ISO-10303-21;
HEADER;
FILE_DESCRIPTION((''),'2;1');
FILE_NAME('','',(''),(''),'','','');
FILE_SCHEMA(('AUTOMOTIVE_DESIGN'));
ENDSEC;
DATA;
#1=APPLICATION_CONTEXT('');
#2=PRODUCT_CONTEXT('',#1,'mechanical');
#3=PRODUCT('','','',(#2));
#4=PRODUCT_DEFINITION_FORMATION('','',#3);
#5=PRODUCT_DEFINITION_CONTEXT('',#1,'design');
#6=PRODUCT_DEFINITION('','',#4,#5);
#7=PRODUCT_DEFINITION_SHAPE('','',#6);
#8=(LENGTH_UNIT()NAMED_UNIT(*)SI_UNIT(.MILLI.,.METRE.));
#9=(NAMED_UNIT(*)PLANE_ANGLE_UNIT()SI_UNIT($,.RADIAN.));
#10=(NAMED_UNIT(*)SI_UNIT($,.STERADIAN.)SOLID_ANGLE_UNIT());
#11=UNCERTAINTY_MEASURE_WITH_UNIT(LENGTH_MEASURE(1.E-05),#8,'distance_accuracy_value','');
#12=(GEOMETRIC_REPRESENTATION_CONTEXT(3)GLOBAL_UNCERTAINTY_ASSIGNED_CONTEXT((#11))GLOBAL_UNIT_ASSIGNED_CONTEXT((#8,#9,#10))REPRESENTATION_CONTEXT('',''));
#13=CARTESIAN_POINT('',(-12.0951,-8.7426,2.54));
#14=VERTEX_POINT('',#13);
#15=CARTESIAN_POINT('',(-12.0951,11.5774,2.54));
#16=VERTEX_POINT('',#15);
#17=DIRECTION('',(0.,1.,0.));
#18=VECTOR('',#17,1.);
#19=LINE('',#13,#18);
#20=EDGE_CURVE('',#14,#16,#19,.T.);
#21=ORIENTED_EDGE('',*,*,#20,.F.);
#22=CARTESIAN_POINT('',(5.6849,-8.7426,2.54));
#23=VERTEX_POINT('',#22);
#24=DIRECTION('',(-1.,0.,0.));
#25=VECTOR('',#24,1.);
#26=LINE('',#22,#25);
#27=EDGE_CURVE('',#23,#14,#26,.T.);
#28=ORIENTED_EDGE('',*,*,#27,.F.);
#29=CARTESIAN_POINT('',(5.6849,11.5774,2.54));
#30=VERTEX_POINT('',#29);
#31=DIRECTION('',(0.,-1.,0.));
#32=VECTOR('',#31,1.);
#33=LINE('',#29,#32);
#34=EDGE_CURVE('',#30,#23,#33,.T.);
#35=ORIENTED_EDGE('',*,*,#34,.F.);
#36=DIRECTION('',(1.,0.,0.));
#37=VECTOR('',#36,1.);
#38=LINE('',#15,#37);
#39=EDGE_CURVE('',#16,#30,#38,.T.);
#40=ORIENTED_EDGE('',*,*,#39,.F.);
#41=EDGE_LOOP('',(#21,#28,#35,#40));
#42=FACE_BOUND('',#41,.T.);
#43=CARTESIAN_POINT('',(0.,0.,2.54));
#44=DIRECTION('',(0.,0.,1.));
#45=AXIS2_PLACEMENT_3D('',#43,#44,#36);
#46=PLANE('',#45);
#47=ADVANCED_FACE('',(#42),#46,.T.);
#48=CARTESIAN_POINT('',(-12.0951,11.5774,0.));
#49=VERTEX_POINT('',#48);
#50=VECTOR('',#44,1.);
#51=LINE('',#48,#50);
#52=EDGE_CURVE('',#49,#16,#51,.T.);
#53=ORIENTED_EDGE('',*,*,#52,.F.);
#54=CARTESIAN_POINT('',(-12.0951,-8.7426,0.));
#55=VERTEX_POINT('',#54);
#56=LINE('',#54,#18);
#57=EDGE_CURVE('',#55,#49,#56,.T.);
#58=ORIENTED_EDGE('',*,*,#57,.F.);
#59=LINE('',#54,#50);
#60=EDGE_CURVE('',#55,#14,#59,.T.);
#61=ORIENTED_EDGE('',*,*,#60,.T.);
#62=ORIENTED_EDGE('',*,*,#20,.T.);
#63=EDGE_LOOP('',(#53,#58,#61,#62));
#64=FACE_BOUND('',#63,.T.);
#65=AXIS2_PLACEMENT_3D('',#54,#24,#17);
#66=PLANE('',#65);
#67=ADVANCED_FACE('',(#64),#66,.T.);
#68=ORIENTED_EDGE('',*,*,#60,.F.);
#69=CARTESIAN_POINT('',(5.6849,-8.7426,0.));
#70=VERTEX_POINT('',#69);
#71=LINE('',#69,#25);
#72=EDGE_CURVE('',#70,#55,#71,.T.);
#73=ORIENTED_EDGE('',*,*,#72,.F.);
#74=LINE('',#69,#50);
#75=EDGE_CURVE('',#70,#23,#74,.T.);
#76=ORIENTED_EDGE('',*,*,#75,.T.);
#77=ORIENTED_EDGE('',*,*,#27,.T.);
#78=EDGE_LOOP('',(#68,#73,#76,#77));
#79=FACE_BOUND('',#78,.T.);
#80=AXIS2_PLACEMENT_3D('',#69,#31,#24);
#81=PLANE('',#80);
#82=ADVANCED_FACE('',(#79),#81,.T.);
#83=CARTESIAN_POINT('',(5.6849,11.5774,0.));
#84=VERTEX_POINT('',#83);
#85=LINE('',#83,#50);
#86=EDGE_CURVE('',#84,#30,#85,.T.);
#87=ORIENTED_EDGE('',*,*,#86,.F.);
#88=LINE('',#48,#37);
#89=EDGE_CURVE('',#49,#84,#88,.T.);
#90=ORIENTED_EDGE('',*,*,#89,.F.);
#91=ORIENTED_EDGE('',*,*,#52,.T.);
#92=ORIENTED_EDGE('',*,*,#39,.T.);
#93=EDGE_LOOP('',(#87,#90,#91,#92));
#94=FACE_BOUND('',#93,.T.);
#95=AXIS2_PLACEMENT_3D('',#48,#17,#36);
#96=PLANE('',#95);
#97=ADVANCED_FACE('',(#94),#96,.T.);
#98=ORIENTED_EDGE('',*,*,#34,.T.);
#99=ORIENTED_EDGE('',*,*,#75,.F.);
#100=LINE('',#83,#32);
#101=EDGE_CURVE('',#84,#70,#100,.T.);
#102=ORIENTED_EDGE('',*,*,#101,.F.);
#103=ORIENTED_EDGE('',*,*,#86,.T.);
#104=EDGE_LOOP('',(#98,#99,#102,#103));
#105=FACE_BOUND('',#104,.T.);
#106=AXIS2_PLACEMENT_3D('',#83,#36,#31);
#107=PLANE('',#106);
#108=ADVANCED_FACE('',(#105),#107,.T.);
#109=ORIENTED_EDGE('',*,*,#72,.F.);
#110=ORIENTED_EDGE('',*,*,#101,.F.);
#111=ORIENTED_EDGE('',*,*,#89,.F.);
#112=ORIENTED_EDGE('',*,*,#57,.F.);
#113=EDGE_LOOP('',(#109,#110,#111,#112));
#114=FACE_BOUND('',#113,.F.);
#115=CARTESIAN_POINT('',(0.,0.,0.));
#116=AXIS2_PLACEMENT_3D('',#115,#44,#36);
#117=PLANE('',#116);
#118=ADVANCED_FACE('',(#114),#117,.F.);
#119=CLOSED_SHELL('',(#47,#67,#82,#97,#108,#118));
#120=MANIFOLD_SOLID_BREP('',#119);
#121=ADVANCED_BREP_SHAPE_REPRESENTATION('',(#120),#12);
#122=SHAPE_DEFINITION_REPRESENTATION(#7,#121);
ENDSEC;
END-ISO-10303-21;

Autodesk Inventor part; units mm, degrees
ref_plane "YZ Plane" through (0, 0, 0) normal (1, 0, 0) x (0, 1, 0)
ref_plane "XZ Plane" through (0, 0, 0) normal (0, 1, 0) x (-1, 0, 0)
ref_plane "XY Plane" through (0, 0, 0) normal (0, 0, 1) x (1, 0, 0)
sketch "Sketch1" plane through (0, 0, 0) normal (0, 0, 1) x (1, 0, 0)
  line L0 (-12.0951, 11.5774) -> (5.6849, 11.5774)
  line L1 (5.6849, 11.5774) -> (5.6849, -8.7426)
  line L2 (5.6849, -8.7426) -> (-12.0951, -8.7426)
  line L3 (-12.0951, -8.7426) -> (-12.0951, 11.5774)
  point P0 (0, 0)
  dimension "d0" = 17.78
  dimension "d1" = 20.32
extrude "Extrusion1" add sketch "Sketch1" along normal blind 2.54
properties part number "ToF Sensor4"
